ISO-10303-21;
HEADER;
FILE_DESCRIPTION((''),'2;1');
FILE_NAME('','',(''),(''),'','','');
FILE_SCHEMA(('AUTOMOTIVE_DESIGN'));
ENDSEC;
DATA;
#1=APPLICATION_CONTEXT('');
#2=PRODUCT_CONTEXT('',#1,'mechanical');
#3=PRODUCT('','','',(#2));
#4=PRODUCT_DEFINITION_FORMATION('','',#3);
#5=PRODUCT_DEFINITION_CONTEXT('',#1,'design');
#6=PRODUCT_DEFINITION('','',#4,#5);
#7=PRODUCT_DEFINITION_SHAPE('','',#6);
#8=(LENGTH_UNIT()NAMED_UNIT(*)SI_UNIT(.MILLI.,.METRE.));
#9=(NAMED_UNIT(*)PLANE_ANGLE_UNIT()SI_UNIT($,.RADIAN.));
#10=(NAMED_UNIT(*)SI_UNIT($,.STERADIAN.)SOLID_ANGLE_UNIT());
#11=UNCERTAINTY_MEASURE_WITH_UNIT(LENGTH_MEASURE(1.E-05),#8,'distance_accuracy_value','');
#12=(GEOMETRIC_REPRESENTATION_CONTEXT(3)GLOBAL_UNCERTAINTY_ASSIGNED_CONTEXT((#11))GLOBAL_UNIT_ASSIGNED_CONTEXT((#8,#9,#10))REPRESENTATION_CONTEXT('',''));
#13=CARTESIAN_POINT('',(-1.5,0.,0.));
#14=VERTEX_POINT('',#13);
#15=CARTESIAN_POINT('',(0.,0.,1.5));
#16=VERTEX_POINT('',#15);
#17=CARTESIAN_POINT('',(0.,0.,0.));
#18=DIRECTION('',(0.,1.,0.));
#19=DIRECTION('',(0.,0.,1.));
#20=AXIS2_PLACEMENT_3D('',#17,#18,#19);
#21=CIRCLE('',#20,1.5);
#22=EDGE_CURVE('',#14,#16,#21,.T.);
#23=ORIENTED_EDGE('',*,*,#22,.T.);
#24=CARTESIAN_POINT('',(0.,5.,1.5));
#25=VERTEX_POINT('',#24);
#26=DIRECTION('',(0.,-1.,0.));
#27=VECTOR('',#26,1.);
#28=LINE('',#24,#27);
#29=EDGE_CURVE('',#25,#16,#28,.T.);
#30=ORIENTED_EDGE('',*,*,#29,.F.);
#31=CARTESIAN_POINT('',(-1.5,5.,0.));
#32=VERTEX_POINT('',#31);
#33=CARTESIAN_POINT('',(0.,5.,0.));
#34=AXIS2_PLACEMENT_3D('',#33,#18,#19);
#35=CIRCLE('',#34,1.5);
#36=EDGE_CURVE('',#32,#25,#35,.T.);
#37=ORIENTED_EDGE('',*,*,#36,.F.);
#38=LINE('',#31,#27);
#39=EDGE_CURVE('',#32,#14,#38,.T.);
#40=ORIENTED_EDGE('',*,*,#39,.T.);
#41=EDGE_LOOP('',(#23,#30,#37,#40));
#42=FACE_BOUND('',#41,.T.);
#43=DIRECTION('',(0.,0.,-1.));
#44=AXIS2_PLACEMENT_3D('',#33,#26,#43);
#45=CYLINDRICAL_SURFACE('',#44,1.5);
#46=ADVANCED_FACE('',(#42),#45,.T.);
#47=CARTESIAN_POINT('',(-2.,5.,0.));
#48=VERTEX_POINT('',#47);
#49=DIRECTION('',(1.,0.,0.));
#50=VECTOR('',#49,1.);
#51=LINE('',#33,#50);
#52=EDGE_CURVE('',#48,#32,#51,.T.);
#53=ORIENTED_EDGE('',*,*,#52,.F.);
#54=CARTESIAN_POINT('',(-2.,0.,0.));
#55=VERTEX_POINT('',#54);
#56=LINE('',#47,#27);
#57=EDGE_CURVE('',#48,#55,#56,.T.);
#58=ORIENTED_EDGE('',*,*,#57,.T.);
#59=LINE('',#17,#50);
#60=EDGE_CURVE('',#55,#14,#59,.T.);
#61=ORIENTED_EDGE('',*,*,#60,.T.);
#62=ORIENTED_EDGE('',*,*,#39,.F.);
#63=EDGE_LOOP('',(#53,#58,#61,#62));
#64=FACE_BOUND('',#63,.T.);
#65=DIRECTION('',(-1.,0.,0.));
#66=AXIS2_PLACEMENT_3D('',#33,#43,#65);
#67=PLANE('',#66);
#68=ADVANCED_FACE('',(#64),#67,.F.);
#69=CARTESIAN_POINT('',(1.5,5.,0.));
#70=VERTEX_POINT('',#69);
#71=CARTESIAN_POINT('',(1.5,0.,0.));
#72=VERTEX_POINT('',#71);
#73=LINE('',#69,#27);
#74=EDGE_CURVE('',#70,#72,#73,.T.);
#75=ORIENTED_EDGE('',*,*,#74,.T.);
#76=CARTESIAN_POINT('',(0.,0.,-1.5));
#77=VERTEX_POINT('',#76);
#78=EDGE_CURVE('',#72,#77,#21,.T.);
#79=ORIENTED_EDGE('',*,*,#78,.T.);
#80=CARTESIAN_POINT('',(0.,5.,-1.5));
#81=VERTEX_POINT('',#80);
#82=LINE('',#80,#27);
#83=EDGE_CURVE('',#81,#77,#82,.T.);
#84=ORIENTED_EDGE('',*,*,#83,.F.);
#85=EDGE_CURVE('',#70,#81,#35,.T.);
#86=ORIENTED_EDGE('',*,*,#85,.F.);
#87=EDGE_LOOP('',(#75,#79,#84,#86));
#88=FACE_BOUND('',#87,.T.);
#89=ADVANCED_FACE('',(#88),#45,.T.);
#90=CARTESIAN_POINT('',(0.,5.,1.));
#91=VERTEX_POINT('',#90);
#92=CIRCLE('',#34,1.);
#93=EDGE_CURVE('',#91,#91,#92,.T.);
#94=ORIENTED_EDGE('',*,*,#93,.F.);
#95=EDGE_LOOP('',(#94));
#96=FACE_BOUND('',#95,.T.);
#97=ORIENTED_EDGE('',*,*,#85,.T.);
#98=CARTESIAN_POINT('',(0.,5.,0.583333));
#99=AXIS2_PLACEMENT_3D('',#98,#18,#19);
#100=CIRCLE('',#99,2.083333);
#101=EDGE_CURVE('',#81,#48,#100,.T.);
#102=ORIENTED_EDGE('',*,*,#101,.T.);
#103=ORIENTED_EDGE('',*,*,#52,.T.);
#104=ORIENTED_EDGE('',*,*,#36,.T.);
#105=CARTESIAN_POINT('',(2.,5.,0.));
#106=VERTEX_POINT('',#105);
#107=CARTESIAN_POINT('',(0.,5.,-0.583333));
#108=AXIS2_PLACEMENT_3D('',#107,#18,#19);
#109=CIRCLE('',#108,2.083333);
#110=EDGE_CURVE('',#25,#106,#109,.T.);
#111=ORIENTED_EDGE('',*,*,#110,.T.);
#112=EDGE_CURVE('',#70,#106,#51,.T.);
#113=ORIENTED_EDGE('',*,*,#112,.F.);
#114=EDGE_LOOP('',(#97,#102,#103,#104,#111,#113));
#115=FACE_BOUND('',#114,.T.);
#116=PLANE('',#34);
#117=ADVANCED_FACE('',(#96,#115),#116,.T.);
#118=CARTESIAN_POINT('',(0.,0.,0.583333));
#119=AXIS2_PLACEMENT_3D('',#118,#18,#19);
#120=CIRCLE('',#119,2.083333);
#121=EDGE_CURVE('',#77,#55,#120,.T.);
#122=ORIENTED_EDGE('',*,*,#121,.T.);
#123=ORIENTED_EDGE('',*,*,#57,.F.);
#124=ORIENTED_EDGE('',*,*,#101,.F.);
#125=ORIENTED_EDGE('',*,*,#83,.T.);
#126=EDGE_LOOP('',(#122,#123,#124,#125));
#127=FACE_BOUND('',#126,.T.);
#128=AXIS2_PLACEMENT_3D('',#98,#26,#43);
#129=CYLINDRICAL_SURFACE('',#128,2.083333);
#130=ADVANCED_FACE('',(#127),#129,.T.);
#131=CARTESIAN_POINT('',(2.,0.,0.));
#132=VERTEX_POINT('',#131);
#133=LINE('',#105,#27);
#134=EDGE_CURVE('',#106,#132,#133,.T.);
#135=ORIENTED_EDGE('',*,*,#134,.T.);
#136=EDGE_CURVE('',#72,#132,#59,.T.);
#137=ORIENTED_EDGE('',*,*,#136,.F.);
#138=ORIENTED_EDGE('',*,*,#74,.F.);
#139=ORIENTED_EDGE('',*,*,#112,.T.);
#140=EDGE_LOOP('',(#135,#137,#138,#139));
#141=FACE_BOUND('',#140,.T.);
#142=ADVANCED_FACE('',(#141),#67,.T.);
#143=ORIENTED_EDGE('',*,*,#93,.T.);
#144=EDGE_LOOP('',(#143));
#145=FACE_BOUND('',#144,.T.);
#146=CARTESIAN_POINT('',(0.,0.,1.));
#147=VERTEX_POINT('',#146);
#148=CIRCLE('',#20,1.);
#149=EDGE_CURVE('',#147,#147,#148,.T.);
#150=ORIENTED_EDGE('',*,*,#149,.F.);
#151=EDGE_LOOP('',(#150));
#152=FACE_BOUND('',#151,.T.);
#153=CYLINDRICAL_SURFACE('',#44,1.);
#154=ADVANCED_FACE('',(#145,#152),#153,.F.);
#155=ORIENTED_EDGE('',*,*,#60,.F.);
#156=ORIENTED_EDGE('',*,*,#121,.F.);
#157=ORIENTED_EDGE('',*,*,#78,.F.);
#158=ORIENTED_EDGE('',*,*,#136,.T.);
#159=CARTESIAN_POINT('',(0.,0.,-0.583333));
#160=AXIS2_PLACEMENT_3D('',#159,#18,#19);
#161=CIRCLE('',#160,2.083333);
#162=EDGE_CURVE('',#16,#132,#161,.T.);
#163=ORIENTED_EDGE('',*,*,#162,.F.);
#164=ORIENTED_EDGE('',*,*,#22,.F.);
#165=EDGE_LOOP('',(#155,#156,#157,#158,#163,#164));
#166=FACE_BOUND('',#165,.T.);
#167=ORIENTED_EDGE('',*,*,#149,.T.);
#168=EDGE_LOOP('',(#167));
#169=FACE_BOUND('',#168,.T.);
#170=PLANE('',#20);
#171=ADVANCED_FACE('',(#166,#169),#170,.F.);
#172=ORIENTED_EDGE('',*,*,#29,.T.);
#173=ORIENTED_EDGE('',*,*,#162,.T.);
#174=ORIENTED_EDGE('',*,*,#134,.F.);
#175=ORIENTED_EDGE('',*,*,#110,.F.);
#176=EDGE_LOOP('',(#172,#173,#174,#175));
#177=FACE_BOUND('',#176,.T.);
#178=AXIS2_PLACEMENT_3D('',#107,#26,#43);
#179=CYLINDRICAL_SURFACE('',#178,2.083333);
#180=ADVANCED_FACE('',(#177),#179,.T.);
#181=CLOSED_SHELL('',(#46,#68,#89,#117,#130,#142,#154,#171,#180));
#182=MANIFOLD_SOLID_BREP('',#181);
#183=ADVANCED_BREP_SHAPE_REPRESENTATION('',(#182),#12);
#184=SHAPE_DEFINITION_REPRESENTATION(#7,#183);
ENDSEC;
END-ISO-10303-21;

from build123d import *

# Parameters (mm, degrees)
EXTRUDE_1_DEPTH = 5


with BuildPart() as part:
    # 스케치2 → 보스-돌출1 (new body)
    with BuildSketch(Plane(origin=(0, 0, 0), x_dir=(1, 0, 0), z_dir=(0, 1, 0))):
        with BuildLine():
            ThreePointArc((-1, 0), (0, 1), (1, 0))
            Line((1, 0), (1.5, 0))
            ThreePointArc((1.5, 0), (1.060660172, 1.060660172), (0, 1.5))
            ThreePointArc((0, 1.5), (-1.060660172, 1.060660172), (-1.5, 0))
            Line((-1.5, 0), (-1, 0))
        make_face()
        with BuildLine():
            Line((1.5, 0), (1, 0))
            ThreePointArc((1, 0), (0, -1), (-1, 0))
            Line((-1, 0), (-1.5, 0))
            ThreePointArc((-1.5, 0), (-1.060660172, -1.060660172), (0, -1.5))
            ThreePointArc((0, -1.5), (1.060660172, -1.060660172), (1.5, 0))
        make_face()
        with BuildLine():
            Line((2, 0), (1.5, 0))
            ThreePointArc((1.5, 0), (1.060660172, -1.060660172), (0, -1.5))
            ThreePointArc((0, -1.5), (1.25, -1.083333333), (2, 0))
        make_face()
        with BuildLine():
            ThreePointArc((-1.5, 0), (-1.060660172, 1.060660172), (0, 1.5))
            ThreePointArc((0, 1.5), (-1.25, 1.083333333), (-2, 0))
            Line((-2, 0), (-1.5, 0))
        make_face()
    extrude(amount=EXTRUDE_1_DEPTH)


solid = part.part
